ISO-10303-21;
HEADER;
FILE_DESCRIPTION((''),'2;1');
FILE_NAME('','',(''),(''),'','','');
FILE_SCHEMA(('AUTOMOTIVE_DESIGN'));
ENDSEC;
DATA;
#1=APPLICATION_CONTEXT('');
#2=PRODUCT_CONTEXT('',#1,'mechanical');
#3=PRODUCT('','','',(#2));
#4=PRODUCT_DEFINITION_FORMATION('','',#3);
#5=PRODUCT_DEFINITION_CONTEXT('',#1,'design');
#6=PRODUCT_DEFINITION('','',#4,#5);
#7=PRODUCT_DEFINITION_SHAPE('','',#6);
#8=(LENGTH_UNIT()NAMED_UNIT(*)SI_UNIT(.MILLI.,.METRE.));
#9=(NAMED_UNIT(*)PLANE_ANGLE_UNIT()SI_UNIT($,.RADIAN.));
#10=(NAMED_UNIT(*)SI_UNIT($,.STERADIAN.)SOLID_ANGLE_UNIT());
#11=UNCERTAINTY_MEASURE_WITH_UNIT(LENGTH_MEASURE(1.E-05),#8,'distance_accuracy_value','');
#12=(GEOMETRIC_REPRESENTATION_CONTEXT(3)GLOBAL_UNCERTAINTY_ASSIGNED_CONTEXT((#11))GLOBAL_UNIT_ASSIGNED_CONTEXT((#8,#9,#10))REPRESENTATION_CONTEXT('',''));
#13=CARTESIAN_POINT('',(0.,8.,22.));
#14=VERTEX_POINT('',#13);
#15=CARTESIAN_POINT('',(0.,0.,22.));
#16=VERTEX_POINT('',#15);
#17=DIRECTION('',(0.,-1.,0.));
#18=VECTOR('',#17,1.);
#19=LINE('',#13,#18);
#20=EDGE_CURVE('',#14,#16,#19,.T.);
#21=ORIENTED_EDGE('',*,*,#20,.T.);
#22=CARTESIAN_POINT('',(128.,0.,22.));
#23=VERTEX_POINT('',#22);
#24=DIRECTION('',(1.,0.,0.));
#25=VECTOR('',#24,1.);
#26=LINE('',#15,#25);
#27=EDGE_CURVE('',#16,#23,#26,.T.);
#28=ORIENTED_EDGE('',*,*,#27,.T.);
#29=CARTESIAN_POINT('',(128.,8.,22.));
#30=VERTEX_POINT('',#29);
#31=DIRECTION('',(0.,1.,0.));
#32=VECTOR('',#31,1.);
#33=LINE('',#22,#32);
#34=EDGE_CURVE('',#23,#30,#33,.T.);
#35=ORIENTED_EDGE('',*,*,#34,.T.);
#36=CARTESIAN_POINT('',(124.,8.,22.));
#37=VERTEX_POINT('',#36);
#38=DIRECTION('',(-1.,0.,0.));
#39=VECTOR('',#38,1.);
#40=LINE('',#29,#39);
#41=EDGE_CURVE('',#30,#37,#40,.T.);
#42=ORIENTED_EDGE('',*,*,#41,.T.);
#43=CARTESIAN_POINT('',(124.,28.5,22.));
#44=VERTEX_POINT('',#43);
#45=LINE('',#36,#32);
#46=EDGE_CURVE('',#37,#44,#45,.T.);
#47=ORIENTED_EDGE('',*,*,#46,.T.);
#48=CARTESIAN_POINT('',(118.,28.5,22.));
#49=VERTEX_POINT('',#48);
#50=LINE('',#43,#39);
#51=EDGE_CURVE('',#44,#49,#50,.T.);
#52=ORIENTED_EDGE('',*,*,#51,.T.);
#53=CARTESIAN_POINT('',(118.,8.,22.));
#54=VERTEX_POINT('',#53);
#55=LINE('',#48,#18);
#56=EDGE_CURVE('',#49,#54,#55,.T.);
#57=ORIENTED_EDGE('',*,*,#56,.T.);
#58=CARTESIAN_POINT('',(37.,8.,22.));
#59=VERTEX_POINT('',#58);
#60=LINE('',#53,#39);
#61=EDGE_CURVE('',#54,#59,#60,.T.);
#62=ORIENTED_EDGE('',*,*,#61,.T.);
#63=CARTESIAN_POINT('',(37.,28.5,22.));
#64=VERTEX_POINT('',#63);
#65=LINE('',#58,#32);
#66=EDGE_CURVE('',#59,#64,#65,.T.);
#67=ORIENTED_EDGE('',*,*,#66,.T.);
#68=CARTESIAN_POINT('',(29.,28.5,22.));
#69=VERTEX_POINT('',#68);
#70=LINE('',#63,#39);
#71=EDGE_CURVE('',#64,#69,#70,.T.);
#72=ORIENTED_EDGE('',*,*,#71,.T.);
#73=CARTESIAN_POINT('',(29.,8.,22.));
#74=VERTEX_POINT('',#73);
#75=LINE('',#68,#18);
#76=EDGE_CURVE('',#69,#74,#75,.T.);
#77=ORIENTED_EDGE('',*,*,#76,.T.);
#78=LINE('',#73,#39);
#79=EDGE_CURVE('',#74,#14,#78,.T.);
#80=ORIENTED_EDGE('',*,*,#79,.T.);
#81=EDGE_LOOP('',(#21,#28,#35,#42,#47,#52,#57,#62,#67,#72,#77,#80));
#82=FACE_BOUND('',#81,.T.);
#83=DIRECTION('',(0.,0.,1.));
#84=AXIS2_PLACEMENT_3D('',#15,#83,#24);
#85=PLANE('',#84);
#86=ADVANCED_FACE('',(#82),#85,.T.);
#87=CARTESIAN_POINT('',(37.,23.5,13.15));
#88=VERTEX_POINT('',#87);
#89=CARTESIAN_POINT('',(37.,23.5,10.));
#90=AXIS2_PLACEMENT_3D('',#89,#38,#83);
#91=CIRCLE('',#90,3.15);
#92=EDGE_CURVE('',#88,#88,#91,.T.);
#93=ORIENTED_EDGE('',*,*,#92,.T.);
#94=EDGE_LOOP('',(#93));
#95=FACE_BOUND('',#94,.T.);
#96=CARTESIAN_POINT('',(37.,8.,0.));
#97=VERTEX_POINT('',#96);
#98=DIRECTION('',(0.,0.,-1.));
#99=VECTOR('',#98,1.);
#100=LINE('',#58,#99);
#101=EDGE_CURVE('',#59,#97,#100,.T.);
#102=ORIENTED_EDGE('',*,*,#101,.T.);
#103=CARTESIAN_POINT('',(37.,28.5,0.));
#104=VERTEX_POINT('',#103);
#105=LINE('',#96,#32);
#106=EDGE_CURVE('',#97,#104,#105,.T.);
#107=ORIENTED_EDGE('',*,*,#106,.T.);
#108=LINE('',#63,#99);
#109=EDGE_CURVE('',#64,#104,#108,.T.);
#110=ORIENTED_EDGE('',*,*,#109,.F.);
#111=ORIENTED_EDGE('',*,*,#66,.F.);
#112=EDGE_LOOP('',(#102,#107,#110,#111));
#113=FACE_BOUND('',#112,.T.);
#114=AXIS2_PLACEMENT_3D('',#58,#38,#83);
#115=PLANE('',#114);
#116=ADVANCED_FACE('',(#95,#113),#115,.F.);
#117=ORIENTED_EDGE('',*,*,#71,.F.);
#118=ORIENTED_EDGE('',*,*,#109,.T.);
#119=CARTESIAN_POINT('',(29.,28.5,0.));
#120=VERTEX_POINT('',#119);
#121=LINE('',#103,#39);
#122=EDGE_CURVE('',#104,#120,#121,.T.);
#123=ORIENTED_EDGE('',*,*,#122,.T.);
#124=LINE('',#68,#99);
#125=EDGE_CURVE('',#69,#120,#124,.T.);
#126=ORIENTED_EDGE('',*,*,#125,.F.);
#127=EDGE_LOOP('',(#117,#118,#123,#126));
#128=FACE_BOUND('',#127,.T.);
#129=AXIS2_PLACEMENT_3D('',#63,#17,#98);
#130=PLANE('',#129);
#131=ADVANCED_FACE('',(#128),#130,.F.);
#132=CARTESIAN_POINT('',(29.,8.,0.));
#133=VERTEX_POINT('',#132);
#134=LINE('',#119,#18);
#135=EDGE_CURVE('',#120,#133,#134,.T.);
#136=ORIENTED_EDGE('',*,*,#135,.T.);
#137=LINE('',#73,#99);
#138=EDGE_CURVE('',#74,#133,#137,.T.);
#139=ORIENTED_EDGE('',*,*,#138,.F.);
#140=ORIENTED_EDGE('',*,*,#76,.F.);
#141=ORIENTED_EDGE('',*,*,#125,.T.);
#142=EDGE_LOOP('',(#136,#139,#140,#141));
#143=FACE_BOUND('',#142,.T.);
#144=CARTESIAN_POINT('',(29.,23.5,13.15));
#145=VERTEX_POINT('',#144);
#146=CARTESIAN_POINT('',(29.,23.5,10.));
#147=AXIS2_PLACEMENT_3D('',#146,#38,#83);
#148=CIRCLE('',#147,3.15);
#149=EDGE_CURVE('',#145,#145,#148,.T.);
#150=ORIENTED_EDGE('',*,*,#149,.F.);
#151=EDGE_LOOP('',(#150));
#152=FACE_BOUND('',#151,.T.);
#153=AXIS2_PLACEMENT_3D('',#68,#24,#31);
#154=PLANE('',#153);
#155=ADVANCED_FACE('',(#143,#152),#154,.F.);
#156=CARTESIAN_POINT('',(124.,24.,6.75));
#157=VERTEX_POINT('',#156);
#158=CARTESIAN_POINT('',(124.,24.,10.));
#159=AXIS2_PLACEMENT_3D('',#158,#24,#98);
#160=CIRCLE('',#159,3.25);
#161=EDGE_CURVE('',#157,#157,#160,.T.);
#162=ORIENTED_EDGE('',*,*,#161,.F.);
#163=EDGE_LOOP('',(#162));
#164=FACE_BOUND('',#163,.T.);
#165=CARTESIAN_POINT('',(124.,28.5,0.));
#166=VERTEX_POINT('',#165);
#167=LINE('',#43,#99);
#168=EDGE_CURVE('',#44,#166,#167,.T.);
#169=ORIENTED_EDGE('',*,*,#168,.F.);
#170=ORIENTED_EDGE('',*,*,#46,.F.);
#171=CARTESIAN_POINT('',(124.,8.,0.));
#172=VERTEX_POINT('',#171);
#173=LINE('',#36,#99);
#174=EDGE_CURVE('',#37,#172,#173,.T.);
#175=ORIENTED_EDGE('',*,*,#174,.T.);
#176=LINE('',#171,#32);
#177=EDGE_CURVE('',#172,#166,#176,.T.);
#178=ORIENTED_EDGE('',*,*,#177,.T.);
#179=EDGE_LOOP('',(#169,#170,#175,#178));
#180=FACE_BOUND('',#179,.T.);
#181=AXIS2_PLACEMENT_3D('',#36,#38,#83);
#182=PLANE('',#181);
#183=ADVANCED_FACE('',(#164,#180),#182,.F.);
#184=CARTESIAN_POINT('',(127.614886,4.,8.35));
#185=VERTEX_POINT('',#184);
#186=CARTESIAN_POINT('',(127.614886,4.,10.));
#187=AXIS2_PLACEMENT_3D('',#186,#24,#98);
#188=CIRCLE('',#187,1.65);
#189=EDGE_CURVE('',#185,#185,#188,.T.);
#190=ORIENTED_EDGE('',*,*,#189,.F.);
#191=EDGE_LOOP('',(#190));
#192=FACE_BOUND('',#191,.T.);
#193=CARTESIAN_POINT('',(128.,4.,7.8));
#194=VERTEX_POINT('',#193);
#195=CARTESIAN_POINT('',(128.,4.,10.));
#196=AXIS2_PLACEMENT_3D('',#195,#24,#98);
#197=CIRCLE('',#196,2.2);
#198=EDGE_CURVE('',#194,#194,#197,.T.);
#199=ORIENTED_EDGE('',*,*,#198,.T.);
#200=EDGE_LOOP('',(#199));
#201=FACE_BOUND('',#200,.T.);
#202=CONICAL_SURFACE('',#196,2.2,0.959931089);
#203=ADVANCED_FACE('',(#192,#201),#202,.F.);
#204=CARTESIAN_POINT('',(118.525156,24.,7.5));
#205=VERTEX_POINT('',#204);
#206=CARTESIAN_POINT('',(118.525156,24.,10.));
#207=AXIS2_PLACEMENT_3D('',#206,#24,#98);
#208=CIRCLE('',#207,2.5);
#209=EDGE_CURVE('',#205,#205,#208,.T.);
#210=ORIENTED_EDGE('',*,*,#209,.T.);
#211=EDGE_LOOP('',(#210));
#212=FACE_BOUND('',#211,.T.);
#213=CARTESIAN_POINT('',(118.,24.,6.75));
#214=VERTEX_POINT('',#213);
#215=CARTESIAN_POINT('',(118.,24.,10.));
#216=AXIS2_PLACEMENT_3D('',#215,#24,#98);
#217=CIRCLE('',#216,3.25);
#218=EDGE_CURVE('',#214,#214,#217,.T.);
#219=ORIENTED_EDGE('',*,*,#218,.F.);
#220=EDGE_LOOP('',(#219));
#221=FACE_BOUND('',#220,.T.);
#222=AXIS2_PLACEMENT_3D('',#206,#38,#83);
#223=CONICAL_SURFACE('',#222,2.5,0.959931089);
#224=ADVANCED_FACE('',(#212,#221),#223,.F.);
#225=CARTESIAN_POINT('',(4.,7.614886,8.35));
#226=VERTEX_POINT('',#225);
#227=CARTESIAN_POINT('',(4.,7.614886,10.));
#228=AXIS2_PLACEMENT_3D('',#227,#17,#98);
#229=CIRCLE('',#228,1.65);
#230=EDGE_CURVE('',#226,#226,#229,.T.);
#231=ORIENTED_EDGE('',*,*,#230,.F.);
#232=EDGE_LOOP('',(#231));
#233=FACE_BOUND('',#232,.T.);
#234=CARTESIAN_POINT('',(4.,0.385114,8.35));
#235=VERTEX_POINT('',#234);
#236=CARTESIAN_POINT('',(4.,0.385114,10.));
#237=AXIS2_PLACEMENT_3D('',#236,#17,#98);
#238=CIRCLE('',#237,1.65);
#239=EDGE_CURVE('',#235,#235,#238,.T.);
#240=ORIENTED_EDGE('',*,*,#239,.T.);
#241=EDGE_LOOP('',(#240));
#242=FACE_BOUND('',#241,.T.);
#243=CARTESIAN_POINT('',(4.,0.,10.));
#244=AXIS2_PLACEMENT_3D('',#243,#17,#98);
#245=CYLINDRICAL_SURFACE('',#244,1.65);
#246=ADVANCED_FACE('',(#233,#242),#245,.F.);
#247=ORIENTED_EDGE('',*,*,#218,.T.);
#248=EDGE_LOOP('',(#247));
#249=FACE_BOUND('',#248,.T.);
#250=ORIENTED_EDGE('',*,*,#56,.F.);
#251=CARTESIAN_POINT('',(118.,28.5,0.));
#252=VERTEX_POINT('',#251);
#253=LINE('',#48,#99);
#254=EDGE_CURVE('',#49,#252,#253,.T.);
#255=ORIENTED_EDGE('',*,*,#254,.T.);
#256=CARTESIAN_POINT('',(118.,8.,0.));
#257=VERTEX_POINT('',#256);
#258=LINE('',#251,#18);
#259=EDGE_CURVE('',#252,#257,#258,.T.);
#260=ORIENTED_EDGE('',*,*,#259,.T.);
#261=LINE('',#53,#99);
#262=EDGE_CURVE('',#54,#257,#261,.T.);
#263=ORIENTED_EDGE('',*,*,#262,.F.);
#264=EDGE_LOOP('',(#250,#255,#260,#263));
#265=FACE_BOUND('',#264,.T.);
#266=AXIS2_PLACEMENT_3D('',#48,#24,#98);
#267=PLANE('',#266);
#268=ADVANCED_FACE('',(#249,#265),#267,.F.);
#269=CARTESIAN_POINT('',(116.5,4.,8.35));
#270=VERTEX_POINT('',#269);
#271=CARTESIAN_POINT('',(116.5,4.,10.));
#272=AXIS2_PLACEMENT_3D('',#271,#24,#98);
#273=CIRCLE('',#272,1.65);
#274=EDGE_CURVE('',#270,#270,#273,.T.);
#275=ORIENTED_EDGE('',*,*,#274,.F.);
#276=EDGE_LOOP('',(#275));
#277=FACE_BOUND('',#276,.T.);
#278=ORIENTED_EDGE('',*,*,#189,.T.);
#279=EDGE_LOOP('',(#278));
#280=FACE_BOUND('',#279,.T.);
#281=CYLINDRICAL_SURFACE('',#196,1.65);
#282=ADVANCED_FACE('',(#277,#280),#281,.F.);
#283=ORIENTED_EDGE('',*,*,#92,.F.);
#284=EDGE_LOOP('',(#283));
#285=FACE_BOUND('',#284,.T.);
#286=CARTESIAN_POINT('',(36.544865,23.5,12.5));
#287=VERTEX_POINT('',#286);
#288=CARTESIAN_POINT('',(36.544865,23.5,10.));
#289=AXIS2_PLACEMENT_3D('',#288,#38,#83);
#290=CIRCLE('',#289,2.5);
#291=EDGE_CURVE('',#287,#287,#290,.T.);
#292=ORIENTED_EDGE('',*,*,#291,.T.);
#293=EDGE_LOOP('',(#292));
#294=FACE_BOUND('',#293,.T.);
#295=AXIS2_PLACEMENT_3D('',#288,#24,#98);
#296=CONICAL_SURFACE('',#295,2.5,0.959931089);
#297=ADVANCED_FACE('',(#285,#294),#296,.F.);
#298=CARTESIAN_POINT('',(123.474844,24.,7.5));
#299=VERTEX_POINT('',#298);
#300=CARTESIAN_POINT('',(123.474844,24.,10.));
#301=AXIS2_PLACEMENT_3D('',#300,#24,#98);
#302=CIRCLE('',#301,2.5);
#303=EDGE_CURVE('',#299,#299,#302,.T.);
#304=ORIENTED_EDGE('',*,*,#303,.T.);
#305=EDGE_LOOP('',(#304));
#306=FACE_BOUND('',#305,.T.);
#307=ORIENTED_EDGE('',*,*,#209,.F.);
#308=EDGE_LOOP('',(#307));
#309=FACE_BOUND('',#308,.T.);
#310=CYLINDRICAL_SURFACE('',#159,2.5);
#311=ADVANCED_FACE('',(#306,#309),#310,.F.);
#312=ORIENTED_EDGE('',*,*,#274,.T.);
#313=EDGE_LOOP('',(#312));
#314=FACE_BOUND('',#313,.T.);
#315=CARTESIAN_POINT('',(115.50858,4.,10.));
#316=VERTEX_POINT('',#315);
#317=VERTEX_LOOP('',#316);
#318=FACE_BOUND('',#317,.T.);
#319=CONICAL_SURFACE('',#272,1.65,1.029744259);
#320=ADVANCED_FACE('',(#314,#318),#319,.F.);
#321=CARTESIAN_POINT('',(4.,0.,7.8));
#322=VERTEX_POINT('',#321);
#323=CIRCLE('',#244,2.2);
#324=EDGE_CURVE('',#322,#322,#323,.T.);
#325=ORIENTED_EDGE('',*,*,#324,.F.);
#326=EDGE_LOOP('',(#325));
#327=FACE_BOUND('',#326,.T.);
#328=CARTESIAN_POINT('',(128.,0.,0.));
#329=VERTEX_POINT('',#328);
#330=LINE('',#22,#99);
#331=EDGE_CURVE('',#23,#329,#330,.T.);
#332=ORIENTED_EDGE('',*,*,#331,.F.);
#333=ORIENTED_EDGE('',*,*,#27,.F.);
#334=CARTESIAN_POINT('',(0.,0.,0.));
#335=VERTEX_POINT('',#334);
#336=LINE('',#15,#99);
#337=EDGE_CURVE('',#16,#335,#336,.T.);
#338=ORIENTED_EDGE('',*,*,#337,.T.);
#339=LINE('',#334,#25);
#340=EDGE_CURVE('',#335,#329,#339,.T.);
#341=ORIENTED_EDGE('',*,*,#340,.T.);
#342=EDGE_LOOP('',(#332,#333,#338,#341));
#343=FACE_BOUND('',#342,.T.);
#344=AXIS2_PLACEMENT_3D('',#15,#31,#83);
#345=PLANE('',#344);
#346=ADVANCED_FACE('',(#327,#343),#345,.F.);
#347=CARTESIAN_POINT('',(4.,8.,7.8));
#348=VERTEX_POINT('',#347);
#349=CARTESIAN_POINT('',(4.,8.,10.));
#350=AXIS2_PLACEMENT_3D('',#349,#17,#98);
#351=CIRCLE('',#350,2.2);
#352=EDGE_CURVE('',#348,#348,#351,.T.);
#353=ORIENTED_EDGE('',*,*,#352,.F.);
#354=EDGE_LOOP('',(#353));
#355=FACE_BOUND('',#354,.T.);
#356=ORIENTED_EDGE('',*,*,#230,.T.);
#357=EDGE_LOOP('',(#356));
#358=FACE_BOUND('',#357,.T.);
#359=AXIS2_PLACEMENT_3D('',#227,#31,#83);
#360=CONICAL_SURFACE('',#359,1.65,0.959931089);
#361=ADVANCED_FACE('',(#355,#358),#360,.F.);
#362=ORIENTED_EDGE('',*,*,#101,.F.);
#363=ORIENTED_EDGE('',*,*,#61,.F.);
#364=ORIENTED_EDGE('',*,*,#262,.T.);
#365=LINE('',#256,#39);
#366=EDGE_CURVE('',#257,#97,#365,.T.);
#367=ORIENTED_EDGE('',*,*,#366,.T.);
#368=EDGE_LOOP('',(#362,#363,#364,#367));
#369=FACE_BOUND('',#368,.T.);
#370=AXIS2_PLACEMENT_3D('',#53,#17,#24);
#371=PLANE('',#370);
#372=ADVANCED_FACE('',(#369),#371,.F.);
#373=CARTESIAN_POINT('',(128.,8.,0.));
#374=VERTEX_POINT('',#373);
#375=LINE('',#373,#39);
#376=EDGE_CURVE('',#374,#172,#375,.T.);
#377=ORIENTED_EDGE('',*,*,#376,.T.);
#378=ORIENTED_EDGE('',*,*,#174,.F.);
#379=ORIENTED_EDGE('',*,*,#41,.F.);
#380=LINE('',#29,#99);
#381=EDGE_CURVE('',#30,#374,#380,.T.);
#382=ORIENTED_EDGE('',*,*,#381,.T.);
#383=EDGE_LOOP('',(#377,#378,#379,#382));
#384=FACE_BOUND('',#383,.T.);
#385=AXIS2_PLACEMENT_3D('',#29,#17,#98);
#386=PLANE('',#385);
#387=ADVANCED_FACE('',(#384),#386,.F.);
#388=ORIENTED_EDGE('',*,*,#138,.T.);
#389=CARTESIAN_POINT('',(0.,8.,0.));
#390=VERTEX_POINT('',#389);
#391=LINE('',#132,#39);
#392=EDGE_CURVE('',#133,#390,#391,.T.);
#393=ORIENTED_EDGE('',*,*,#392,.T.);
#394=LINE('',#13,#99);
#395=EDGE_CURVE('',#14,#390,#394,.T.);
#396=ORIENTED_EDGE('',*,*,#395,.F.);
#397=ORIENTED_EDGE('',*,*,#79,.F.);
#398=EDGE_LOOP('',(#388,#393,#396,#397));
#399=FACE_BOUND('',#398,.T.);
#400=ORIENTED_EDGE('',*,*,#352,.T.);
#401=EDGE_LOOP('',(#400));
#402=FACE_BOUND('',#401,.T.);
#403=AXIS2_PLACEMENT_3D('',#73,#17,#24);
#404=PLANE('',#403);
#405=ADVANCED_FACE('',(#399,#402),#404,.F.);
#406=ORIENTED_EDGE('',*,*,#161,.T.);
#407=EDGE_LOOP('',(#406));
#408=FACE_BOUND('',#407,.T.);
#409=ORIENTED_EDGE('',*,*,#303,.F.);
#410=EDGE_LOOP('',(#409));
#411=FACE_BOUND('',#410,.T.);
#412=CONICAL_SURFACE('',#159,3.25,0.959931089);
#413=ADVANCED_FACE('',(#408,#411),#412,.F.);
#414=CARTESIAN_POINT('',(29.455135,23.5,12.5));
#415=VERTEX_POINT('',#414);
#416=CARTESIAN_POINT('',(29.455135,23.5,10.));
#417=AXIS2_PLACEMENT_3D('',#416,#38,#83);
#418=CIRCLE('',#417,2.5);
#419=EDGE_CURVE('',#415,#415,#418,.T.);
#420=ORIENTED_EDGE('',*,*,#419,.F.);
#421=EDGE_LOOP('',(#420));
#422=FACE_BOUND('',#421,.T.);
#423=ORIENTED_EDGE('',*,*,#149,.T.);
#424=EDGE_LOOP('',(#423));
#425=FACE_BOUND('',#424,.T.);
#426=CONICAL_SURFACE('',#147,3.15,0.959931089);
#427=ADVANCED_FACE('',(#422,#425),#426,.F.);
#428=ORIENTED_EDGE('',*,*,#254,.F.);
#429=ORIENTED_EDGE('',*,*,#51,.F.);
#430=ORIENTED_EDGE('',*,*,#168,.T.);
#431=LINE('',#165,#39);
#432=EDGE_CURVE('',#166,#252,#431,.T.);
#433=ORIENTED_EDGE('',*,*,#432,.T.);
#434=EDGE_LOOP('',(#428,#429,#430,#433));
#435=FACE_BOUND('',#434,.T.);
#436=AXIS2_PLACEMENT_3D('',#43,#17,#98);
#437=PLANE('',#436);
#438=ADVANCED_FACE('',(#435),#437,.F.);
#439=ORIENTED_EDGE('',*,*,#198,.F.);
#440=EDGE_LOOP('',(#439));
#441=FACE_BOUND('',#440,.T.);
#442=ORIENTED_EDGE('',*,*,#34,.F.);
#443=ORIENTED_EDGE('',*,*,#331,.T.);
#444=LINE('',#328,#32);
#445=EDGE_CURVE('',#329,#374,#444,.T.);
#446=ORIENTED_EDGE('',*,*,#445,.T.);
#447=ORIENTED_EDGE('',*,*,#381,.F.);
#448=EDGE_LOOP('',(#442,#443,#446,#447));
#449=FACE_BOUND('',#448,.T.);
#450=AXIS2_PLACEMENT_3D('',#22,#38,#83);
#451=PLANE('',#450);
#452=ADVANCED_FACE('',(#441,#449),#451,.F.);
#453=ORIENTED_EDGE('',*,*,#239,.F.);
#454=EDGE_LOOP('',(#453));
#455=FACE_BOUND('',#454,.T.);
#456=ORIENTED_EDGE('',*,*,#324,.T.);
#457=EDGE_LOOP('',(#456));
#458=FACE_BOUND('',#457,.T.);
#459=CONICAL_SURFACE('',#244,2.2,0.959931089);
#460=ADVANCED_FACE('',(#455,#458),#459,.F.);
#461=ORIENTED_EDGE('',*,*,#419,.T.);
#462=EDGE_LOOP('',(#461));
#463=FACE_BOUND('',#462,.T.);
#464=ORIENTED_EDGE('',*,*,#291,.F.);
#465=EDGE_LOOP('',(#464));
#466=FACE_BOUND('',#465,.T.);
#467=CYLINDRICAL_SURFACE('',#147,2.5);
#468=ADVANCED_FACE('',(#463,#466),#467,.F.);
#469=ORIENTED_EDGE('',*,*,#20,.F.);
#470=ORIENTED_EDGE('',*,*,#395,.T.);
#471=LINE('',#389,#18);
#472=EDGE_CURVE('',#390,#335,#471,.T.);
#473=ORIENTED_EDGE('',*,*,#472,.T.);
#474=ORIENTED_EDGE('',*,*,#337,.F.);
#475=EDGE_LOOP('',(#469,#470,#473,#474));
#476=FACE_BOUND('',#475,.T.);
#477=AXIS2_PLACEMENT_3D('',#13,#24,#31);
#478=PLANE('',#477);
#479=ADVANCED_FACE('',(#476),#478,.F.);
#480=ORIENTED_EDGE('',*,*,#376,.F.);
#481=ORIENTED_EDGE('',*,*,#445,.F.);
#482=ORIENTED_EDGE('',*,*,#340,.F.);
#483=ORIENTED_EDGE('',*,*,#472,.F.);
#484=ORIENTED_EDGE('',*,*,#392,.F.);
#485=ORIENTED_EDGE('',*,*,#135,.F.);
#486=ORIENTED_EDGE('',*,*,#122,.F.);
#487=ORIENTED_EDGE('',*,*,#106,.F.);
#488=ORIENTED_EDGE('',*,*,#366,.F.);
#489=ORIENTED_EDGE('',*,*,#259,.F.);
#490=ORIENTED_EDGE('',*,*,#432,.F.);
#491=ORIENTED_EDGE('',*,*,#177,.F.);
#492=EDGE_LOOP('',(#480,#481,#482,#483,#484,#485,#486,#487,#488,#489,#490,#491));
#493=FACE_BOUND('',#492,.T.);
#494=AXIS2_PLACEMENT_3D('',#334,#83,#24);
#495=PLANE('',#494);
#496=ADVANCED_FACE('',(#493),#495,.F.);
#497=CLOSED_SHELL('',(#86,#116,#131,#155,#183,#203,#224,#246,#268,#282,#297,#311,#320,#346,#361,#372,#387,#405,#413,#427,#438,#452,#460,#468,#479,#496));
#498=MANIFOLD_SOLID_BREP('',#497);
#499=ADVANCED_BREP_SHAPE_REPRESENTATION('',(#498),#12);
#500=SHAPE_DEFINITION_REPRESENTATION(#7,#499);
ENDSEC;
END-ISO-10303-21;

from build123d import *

# Parameters (mm, degrees)
EXTRUDE_1_DEPTH     = 22
M4X0_72_D           = 3.3
M4X0_72_DEPTH       = 11.5
M4X0_72_CSINK_D     = 4.4
M4X0_72_CSINK_ANGLE = 110
M4X0_72_TIP         = 0.991420021


with BuildPart() as part:
    # Эскиз1 → Бобышка-Вытянуть1 (new body)
    with BuildSketch(Plane.XY):
        Polygon((0, 0), (128, 0), (128, 8), (124, 8), (124, 28.5), (118, 28.5), (118, 8), (37, 8), (37, 28.5), (29, 28.5), (29, 8), (0, 8), align=None)
    extrude(amount=EXTRUDE_1_DEPTH)

    # Эскиз2 → Отверстие обработанное метчиком M6x1.01 (revolve, cut)
    with BuildSketch(Plane(origin=(29, 23.5, 10), x_dir=(0, 0, 1), z_dir=(0, 1, 0))):
        Polygon((0, 0), (0, 8), (3.15, 8), (2.5, 7.5448651), (2.5, 0.4551349), (3.15, 0), align=None)
    revolve(axis=Axis((22.65, 23.5, 10), (1, 0, 0)), mode=Mode.SUBTRACT)

    # Эскиз4 → Отверстие обработанное метчиком M6x1.02 (revolve, cut)
    with BuildSketch(Plane(origin=(124, 24, 10), x_dir=(0, 0, -1), z_dir=(0, 1, 0))):
        Polygon((0, 0), (0, 6), (3.25, 6), (2.5, 5.474844346), (2.5, 0.525155654), (3.25, 0), align=None)
    revolve(axis=Axis((130.35, 24, 10), (-1, 0, 0)), mode=Mode.SUBTRACT)

    # Эскиз6 → Отверстие обработанное метчиком M4x0.71 (revolve, cut)
    with BuildSketch(Plane(origin=(4, 0, 10), x_dir=(0, 0, -1), z_dir=(1, 0, 0))):
        Polygon((0, 0), (0, 8), (2.2, 8), (1.65, 7.614885854), (1.65, 0.385114146), (2.2, 0), align=None)
    revolve(axis=Axis((4, -6.35, 10), (0, 1, 0)), mode=Mode.SUBTRACT)

    # Отверстие обработанное метчиком M4x0.72
    with Locations(Plane(origin=(128, 0, 0), x_dir=(0, 0, -1), z_dir=(1, 0, 0))):
        with Locations((-10, 4)):
            CounterSinkHole(M4X0_72_D / 2, M4X0_72_CSINK_D / 2, depth=M4X0_72_DEPTH, counter_sink_angle=M4X0_72_CSINK_ANGLE)
            with Locations((0, 0, -(M4X0_72_DEPTH + M4X0_72_TIP / 2))):  # 118° drill point
                Cone(0, M4X0_72_D / 2, M4X0_72_TIP, mode=Mode.SUBTRACT)


solid = part.part
